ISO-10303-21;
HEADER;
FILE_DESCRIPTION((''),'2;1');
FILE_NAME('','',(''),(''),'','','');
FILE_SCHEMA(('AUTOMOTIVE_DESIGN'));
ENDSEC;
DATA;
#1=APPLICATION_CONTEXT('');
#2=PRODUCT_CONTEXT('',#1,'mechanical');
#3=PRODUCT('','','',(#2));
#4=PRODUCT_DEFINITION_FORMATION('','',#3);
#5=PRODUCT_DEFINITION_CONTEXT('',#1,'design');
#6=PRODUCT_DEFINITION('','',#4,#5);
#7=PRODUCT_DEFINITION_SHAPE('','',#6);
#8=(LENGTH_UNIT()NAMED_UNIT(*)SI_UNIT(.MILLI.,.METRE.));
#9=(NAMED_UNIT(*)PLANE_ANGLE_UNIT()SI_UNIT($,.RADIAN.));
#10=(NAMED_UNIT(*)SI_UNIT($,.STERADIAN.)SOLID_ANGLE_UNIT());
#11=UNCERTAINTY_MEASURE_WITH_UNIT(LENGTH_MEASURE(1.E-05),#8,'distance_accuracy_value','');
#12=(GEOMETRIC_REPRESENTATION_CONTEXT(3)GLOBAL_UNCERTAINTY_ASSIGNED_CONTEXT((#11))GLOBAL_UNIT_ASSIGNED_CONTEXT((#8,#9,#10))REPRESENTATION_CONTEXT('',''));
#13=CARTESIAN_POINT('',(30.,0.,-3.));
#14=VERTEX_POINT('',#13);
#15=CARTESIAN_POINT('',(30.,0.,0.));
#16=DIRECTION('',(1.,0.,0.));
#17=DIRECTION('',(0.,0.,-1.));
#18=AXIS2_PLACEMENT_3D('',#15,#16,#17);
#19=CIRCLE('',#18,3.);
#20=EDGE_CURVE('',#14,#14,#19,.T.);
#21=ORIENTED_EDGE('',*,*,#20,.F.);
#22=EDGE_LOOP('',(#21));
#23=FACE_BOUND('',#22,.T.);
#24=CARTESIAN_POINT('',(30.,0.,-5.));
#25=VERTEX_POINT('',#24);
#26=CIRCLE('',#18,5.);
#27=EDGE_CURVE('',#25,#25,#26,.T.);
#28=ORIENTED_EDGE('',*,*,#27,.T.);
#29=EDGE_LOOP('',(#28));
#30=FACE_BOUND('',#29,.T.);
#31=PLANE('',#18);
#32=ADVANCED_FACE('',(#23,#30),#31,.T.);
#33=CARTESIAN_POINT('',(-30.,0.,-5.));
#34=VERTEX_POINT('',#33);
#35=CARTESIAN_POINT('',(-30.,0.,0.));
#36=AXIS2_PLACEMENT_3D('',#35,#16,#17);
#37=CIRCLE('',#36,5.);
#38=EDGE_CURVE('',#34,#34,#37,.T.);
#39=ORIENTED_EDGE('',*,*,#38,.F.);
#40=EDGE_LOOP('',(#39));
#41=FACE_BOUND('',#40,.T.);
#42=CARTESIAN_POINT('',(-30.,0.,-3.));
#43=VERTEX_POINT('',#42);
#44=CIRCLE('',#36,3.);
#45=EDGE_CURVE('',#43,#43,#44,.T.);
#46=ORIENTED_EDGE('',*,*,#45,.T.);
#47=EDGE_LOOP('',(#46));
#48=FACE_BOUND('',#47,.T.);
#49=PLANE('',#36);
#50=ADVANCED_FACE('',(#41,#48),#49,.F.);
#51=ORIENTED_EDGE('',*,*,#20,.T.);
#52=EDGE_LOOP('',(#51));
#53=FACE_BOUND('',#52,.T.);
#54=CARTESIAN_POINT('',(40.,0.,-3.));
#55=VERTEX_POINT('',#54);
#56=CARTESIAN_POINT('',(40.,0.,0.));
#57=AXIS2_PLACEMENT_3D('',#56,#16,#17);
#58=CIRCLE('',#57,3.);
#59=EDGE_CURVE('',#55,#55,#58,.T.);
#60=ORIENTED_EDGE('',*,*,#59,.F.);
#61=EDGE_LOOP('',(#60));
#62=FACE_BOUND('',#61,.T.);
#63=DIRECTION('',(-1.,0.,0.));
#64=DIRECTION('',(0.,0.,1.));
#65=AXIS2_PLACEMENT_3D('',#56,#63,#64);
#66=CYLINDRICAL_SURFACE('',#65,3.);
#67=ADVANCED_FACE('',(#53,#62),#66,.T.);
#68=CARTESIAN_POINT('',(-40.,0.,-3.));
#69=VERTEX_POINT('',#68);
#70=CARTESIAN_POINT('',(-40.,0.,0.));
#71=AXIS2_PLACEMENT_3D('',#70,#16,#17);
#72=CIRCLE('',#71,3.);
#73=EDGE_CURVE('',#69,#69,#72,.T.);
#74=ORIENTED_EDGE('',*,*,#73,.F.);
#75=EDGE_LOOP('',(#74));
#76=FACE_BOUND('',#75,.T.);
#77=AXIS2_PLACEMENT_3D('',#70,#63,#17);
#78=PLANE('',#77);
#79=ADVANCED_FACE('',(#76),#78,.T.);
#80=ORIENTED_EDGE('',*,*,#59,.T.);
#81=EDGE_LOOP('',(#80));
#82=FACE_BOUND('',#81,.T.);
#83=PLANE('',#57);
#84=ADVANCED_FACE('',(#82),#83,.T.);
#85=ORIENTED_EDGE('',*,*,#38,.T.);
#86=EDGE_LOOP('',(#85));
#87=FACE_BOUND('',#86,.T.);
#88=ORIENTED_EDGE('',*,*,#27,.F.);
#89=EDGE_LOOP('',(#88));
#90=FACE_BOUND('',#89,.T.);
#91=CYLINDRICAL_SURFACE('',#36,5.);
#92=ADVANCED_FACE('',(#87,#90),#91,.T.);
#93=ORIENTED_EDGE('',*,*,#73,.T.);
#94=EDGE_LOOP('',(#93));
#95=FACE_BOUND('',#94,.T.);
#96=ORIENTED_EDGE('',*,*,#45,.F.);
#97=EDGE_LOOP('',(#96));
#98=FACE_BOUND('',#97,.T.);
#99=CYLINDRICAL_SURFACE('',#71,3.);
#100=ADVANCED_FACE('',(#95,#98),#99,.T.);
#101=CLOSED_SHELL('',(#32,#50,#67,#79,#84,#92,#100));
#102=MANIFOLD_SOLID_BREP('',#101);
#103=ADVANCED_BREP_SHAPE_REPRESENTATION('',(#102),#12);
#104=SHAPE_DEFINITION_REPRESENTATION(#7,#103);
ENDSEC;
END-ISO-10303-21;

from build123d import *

# Parameters (mm, degrees)
BOSS_EXTRUDE1_DEPTH      = 30
BOSS_EXTRUDE1_DEPTH_BACK = 30
SKETCH1_R                = 5
SKETCH2_R                = 3
BOSS_EXTRUDE2_DEPTH      = 10


with BuildPart() as part:
    # Sketch1 → Boss-Extrude1 (new, two sides: drawn at the far end of the back side and taken through both)
    with BuildSketch(Plane(origin=(0, 0, 0), x_dir=(0, 0, -1), z_dir=(1, 0, 0)).offset(-BOSS_EXTRUDE1_DEPTH_BACK)):
        Circle(SKETCH1_R)
    extrude(amount=BOSS_EXTRUDE1_DEPTH + BOSS_EXTRUDE1_DEPTH_BACK)

    # Sketch2 → Boss-Extrude2 (add)
    with BuildSketch(Plane(origin=(30, 0, 0), x_dir=(0, 0, -1), z_dir=(1, 0, 0))):
        Circle(SKETCH2_R)
    boss_extrude2 = extrude(amount=BOSS_EXTRUDE2_DEPTH)

    # Mirror1: Boss-Extrude2 across plane
    add(boss_extrude2.mirror(Plane(origin=(0, 0, 0), x_dir=(0, 0, 1), z_dir=(1, 0, 0))))


solid = part.part
